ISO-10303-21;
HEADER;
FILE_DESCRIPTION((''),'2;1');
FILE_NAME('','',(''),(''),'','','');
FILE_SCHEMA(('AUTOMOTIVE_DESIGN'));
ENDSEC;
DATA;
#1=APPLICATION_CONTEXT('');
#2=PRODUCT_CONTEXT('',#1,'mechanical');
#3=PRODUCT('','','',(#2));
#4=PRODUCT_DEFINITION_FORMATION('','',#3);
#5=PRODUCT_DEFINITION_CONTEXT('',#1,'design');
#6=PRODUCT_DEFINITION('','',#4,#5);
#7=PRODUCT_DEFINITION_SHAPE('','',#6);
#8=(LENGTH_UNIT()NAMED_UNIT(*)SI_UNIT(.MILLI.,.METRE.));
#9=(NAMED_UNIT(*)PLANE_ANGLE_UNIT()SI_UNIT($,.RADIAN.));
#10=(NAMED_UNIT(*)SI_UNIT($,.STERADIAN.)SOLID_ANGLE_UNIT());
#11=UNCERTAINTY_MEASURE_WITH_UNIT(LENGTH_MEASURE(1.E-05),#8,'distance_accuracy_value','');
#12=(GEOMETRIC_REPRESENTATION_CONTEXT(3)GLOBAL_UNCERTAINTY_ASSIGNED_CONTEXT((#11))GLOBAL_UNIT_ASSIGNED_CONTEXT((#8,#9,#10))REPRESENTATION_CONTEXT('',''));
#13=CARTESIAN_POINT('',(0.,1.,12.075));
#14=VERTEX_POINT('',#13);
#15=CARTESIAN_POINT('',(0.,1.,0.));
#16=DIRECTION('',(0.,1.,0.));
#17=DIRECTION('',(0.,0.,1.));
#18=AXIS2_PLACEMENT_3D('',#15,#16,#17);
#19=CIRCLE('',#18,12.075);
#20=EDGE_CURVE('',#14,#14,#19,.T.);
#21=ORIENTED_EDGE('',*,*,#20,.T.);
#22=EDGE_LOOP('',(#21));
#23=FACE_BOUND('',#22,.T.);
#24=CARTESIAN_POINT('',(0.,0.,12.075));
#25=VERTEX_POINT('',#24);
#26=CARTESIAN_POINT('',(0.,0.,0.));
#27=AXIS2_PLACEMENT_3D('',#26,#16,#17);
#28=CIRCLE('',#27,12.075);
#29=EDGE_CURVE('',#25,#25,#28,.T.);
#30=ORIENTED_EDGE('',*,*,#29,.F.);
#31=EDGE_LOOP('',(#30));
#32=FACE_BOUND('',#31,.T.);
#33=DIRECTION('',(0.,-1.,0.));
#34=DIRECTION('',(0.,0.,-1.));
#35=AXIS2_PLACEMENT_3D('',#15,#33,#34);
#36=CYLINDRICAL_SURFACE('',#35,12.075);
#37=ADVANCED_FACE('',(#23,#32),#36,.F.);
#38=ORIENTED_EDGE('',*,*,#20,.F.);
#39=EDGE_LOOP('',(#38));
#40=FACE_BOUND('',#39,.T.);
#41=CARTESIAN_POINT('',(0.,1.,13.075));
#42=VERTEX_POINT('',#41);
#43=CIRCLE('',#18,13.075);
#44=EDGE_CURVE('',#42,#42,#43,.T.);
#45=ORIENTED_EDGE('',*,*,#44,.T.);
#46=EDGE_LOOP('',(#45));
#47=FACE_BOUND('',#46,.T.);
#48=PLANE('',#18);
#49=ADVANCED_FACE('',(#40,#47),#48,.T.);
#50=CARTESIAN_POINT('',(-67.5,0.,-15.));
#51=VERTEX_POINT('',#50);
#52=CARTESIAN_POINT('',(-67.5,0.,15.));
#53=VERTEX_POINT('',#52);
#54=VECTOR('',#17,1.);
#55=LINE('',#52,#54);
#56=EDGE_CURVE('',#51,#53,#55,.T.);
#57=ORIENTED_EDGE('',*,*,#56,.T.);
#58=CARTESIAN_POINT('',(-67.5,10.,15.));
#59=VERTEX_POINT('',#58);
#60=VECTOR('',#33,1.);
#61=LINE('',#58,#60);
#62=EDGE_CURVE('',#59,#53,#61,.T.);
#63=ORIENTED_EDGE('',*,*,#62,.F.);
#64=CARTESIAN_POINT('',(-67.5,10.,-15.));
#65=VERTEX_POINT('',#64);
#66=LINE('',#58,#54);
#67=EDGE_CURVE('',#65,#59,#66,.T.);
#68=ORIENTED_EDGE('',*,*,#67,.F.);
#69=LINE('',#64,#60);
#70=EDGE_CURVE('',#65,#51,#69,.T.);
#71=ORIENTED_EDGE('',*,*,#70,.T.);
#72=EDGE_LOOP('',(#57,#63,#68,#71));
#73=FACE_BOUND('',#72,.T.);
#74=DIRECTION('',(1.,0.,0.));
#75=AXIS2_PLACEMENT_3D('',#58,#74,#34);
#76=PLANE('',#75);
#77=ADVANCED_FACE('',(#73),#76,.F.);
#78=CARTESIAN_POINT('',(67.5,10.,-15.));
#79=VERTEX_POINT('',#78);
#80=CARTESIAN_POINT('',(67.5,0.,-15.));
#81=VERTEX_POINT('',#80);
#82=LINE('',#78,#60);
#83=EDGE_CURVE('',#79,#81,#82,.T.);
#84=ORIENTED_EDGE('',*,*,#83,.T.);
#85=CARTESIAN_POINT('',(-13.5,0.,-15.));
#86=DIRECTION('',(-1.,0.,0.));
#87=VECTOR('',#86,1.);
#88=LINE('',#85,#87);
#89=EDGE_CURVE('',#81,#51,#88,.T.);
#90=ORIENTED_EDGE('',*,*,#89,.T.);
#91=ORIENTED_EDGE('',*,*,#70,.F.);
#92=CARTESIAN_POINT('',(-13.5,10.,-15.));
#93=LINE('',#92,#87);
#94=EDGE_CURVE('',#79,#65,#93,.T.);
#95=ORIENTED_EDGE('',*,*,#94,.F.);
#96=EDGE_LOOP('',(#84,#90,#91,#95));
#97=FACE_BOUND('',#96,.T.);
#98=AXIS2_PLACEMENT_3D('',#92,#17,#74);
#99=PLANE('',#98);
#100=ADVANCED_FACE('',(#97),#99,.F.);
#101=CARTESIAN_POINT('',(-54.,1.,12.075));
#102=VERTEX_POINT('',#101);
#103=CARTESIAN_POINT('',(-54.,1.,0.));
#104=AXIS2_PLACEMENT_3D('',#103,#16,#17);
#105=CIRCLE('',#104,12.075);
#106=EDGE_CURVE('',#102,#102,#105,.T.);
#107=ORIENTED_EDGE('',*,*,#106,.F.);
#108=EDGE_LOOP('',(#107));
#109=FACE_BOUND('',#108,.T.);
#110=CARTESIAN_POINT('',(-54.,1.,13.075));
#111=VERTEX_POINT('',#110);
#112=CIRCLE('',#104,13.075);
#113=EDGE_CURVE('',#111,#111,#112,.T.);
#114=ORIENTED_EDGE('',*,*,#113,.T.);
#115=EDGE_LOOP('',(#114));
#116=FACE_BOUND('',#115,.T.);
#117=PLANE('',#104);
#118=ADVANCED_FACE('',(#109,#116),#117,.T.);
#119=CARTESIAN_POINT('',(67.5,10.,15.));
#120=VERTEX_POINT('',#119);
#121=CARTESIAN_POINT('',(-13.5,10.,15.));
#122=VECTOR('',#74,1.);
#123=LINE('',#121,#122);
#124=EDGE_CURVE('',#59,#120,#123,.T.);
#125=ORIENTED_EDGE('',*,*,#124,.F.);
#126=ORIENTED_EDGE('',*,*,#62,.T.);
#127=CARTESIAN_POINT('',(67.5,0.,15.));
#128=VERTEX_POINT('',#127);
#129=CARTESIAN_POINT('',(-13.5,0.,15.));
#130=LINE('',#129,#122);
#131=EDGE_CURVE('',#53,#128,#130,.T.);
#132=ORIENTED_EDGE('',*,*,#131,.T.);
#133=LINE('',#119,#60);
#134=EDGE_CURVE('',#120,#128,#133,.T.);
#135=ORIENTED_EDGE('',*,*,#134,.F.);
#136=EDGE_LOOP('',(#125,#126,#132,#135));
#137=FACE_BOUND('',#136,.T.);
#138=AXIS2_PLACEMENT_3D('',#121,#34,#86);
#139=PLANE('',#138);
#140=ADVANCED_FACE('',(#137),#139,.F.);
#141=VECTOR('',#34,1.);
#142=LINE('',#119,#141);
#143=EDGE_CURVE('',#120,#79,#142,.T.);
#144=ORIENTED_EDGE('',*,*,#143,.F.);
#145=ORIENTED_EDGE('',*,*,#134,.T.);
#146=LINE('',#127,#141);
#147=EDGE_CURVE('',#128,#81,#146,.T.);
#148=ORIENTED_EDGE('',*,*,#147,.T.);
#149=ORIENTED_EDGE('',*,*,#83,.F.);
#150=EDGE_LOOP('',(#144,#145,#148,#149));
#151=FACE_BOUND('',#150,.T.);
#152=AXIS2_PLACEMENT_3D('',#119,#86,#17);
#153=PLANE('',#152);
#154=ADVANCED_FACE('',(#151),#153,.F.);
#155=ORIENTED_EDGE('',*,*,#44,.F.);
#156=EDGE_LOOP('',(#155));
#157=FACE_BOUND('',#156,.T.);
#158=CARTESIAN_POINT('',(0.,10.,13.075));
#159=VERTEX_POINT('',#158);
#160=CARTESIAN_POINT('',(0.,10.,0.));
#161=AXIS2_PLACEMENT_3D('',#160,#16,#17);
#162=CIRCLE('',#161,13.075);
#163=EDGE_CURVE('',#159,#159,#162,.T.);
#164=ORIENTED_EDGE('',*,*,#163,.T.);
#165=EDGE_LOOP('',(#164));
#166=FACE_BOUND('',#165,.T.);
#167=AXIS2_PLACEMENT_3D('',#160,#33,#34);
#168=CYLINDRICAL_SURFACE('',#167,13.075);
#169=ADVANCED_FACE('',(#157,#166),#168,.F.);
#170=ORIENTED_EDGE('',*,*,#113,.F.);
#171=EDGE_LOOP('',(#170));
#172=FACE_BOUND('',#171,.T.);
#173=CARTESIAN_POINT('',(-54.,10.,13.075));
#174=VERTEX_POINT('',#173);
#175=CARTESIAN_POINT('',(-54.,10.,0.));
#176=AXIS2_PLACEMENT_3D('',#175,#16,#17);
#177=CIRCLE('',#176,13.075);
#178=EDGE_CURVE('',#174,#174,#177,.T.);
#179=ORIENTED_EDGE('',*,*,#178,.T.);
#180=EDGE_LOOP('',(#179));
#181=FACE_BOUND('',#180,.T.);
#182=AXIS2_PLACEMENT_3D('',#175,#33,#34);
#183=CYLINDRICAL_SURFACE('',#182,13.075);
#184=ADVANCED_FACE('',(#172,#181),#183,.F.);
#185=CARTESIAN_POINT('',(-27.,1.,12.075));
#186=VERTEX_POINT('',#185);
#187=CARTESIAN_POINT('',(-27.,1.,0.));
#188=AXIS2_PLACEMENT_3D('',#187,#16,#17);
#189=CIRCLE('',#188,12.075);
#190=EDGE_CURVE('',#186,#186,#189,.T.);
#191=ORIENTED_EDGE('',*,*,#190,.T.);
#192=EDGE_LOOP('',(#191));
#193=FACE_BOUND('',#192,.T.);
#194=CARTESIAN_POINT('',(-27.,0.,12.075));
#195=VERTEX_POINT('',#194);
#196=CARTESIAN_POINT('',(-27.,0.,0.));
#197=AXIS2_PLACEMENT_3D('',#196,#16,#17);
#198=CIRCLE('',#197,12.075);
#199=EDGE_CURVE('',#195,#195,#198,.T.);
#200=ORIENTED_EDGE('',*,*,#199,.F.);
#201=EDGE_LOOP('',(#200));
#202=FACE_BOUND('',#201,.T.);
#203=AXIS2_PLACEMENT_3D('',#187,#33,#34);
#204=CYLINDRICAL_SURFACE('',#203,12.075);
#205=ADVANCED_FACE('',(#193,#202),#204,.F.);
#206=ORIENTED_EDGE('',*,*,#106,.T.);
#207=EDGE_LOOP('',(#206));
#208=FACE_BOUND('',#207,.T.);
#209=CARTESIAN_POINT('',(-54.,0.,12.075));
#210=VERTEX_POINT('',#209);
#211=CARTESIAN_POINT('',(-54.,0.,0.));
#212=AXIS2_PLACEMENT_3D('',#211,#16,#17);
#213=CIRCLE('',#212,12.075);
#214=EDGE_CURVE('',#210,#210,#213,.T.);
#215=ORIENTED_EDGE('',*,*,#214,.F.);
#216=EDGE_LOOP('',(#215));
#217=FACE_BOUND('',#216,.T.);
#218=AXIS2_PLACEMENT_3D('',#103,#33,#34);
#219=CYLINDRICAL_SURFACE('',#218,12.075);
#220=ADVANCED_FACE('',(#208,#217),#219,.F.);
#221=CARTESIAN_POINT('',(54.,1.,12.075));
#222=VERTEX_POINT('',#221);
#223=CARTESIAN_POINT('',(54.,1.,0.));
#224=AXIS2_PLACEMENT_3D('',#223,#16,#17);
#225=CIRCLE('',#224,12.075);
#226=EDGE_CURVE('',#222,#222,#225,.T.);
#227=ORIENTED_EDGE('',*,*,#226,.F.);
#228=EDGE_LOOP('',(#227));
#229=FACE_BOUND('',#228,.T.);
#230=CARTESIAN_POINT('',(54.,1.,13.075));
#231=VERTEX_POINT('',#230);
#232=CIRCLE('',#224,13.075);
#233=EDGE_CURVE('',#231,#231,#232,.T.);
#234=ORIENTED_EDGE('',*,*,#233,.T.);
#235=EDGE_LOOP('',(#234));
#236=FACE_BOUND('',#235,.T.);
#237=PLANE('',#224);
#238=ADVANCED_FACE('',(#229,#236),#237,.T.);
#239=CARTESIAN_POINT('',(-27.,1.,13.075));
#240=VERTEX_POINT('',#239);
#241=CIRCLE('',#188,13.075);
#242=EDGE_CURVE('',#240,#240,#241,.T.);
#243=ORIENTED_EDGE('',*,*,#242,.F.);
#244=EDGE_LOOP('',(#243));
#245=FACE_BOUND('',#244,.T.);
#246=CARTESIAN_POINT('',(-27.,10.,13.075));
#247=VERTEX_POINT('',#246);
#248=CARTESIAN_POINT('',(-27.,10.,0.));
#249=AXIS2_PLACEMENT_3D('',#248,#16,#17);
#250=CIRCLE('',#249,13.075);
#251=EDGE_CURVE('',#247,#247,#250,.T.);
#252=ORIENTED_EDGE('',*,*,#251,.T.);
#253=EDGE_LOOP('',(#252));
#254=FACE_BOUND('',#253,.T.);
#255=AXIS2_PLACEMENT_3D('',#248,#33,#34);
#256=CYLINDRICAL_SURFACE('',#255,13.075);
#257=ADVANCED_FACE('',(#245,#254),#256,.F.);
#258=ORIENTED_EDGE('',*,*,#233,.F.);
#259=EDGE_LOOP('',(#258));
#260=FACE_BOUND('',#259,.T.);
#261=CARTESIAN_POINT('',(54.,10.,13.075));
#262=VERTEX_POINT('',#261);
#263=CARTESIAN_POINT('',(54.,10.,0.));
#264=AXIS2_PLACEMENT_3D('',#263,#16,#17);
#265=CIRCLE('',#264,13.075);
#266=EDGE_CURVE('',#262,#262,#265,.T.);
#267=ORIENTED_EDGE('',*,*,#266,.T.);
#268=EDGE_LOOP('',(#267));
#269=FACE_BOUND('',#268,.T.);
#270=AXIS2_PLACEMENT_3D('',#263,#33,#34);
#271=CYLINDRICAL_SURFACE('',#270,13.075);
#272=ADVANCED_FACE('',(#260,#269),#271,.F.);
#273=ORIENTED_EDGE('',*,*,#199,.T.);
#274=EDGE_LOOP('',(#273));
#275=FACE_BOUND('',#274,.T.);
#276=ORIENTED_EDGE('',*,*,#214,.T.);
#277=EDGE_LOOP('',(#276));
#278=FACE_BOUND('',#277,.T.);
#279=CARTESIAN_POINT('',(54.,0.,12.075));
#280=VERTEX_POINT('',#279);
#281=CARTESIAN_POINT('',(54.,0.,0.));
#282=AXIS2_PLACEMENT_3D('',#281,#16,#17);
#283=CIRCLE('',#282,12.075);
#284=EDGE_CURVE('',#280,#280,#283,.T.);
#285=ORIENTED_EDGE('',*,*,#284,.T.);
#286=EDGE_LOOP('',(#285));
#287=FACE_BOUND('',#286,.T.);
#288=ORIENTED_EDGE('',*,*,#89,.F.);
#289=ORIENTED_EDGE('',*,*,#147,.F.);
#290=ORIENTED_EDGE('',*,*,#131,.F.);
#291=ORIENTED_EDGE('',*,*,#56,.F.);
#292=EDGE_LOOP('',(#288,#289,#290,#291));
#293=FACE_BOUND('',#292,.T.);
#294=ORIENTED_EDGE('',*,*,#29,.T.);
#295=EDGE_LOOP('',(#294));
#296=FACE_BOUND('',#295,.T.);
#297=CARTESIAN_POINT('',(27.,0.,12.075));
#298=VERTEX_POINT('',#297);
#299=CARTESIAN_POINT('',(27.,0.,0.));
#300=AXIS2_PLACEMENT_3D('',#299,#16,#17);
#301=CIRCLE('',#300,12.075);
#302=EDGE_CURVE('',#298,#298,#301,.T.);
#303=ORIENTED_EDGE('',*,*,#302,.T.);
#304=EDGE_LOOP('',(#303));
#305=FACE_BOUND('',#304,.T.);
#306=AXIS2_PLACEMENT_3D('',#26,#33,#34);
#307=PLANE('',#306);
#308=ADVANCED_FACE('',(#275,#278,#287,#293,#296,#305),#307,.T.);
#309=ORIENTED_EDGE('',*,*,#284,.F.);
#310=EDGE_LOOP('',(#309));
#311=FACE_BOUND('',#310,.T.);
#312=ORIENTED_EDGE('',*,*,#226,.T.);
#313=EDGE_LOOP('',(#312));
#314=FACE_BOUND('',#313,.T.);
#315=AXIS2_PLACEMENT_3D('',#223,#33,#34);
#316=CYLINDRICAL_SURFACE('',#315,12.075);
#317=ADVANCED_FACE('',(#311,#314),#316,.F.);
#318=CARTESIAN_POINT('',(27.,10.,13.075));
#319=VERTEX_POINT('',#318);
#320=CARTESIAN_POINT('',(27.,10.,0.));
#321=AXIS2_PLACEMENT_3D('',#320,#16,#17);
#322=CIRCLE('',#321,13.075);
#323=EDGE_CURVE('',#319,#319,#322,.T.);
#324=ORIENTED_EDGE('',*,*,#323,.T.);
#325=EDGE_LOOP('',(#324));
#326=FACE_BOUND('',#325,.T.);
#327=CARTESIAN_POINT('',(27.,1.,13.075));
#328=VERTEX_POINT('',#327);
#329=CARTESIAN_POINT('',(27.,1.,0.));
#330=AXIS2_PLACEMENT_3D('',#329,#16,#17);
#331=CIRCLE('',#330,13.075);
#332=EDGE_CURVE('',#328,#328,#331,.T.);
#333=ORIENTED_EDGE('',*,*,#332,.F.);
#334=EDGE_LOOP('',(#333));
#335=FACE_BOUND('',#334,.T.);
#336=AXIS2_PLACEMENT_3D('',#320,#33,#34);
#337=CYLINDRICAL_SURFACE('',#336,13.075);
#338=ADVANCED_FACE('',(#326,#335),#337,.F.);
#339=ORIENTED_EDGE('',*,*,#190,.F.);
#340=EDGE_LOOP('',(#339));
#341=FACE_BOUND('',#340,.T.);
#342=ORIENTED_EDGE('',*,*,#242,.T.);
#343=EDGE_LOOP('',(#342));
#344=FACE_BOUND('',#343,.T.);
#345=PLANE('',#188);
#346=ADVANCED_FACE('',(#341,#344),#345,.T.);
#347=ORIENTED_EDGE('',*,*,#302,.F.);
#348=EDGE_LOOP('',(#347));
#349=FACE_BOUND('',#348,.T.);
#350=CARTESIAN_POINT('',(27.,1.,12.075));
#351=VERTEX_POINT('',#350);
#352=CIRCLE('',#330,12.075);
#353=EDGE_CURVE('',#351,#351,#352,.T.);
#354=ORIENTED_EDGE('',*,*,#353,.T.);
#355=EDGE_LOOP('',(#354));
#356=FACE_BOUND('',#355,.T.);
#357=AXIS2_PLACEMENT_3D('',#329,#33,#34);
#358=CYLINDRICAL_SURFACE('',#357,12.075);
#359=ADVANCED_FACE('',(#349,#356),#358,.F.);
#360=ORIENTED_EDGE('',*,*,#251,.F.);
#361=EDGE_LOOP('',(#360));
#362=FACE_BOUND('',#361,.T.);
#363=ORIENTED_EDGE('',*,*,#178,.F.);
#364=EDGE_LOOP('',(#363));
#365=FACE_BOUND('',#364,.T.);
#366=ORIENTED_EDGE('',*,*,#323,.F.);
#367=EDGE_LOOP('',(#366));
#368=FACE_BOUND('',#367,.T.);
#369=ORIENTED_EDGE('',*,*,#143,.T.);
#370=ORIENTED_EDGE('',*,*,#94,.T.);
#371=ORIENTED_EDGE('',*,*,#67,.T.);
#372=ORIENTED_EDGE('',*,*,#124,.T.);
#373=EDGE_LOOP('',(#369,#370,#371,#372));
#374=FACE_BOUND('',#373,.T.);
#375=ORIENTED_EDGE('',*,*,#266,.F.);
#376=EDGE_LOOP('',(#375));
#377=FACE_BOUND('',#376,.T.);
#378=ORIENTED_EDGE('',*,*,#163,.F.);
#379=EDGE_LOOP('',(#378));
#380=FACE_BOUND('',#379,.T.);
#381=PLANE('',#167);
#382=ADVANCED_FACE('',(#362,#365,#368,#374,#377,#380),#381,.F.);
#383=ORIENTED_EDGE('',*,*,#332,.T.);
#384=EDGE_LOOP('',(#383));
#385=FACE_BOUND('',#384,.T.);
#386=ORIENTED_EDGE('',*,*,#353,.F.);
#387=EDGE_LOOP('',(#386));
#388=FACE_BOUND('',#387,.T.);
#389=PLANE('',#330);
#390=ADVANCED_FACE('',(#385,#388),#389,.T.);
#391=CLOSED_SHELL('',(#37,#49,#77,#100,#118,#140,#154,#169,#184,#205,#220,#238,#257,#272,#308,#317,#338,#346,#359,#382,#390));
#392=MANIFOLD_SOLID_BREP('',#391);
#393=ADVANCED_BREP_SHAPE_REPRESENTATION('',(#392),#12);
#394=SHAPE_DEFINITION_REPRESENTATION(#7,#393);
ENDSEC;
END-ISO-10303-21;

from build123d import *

# Parameters (mm, degrees)
ESQUISSE1_W                    = 27
ESQUISSE1_H                    = 30
ESQUISSE1_R                    = 13.075
BOSS_EXTRU_1_DEPTH             = 10
ESQUISSE4_R                    = 13.075
ESQUISSE4_R_2                  = 12.075
BOSS_EXTRU_2_DEPTH             = 1
R_P_TITION_LIN_AIRE1_COUNT     = 3
R_P_TITION_LIN_AIRE1_PITCH     = 27
R_P_TITION_LIN_AIRE1_COL_COUNT = 3
R_P_TITION_LIN_AIRE1_COL_PITCH = 27


with BuildPart() as part:
    # Esquisse1 → Boss.-Extru.1 (new body)
    with BuildSketch(Plane(origin=(0, 0, 0), x_dir=(1, 0, 0), z_dir=(0, 1, 0))):
        Rectangle(ESQUISSE1_W, ESQUISSE1_H)
        Circle(ESQUISSE1_R, mode=Mode.SUBTRACT)
    boss_extru_1 = extrude(amount=BOSS_EXTRU_1_DEPTH)

    # Esquisse4 → Boss.-Extru.2 (add)
    with BuildSketch(Plane(origin=(0, 0, 0), x_dir=(1, 0, 0), z_dir=(0, 1, 0))):
        Circle(ESQUISSE4_R)
        Circle(ESQUISSE4_R_2, mode=Mode.SUBTRACT)
    boss_extru_2 = extrude(amount=BOSS_EXTRU_2_DEPTH)

    # Répétition linéaire1: Boss.-Extru.1, Boss.-Extru.2 ×3
    with Locations(*[(i * R_P_TITION_LIN_AIRE1_PITCH, 0, 0) for i in range(1, R_P_TITION_LIN_AIRE1_COUNT)]):
        add(boss_extru_1)
        add(boss_extru_2)

    # Répétition linéaire1 col: Boss.-Extru.1, Boss.-Extru.2 ×3
    with Locations(*[(-i * R_P_TITION_LIN_AIRE1_COL_PITCH, 0, 0) for i in range(1, R_P_TITION_LIN_AIRE1_COL_COUNT)]):
        add(boss_extru_1)
        add(boss_extru_2)


solid = part.part
